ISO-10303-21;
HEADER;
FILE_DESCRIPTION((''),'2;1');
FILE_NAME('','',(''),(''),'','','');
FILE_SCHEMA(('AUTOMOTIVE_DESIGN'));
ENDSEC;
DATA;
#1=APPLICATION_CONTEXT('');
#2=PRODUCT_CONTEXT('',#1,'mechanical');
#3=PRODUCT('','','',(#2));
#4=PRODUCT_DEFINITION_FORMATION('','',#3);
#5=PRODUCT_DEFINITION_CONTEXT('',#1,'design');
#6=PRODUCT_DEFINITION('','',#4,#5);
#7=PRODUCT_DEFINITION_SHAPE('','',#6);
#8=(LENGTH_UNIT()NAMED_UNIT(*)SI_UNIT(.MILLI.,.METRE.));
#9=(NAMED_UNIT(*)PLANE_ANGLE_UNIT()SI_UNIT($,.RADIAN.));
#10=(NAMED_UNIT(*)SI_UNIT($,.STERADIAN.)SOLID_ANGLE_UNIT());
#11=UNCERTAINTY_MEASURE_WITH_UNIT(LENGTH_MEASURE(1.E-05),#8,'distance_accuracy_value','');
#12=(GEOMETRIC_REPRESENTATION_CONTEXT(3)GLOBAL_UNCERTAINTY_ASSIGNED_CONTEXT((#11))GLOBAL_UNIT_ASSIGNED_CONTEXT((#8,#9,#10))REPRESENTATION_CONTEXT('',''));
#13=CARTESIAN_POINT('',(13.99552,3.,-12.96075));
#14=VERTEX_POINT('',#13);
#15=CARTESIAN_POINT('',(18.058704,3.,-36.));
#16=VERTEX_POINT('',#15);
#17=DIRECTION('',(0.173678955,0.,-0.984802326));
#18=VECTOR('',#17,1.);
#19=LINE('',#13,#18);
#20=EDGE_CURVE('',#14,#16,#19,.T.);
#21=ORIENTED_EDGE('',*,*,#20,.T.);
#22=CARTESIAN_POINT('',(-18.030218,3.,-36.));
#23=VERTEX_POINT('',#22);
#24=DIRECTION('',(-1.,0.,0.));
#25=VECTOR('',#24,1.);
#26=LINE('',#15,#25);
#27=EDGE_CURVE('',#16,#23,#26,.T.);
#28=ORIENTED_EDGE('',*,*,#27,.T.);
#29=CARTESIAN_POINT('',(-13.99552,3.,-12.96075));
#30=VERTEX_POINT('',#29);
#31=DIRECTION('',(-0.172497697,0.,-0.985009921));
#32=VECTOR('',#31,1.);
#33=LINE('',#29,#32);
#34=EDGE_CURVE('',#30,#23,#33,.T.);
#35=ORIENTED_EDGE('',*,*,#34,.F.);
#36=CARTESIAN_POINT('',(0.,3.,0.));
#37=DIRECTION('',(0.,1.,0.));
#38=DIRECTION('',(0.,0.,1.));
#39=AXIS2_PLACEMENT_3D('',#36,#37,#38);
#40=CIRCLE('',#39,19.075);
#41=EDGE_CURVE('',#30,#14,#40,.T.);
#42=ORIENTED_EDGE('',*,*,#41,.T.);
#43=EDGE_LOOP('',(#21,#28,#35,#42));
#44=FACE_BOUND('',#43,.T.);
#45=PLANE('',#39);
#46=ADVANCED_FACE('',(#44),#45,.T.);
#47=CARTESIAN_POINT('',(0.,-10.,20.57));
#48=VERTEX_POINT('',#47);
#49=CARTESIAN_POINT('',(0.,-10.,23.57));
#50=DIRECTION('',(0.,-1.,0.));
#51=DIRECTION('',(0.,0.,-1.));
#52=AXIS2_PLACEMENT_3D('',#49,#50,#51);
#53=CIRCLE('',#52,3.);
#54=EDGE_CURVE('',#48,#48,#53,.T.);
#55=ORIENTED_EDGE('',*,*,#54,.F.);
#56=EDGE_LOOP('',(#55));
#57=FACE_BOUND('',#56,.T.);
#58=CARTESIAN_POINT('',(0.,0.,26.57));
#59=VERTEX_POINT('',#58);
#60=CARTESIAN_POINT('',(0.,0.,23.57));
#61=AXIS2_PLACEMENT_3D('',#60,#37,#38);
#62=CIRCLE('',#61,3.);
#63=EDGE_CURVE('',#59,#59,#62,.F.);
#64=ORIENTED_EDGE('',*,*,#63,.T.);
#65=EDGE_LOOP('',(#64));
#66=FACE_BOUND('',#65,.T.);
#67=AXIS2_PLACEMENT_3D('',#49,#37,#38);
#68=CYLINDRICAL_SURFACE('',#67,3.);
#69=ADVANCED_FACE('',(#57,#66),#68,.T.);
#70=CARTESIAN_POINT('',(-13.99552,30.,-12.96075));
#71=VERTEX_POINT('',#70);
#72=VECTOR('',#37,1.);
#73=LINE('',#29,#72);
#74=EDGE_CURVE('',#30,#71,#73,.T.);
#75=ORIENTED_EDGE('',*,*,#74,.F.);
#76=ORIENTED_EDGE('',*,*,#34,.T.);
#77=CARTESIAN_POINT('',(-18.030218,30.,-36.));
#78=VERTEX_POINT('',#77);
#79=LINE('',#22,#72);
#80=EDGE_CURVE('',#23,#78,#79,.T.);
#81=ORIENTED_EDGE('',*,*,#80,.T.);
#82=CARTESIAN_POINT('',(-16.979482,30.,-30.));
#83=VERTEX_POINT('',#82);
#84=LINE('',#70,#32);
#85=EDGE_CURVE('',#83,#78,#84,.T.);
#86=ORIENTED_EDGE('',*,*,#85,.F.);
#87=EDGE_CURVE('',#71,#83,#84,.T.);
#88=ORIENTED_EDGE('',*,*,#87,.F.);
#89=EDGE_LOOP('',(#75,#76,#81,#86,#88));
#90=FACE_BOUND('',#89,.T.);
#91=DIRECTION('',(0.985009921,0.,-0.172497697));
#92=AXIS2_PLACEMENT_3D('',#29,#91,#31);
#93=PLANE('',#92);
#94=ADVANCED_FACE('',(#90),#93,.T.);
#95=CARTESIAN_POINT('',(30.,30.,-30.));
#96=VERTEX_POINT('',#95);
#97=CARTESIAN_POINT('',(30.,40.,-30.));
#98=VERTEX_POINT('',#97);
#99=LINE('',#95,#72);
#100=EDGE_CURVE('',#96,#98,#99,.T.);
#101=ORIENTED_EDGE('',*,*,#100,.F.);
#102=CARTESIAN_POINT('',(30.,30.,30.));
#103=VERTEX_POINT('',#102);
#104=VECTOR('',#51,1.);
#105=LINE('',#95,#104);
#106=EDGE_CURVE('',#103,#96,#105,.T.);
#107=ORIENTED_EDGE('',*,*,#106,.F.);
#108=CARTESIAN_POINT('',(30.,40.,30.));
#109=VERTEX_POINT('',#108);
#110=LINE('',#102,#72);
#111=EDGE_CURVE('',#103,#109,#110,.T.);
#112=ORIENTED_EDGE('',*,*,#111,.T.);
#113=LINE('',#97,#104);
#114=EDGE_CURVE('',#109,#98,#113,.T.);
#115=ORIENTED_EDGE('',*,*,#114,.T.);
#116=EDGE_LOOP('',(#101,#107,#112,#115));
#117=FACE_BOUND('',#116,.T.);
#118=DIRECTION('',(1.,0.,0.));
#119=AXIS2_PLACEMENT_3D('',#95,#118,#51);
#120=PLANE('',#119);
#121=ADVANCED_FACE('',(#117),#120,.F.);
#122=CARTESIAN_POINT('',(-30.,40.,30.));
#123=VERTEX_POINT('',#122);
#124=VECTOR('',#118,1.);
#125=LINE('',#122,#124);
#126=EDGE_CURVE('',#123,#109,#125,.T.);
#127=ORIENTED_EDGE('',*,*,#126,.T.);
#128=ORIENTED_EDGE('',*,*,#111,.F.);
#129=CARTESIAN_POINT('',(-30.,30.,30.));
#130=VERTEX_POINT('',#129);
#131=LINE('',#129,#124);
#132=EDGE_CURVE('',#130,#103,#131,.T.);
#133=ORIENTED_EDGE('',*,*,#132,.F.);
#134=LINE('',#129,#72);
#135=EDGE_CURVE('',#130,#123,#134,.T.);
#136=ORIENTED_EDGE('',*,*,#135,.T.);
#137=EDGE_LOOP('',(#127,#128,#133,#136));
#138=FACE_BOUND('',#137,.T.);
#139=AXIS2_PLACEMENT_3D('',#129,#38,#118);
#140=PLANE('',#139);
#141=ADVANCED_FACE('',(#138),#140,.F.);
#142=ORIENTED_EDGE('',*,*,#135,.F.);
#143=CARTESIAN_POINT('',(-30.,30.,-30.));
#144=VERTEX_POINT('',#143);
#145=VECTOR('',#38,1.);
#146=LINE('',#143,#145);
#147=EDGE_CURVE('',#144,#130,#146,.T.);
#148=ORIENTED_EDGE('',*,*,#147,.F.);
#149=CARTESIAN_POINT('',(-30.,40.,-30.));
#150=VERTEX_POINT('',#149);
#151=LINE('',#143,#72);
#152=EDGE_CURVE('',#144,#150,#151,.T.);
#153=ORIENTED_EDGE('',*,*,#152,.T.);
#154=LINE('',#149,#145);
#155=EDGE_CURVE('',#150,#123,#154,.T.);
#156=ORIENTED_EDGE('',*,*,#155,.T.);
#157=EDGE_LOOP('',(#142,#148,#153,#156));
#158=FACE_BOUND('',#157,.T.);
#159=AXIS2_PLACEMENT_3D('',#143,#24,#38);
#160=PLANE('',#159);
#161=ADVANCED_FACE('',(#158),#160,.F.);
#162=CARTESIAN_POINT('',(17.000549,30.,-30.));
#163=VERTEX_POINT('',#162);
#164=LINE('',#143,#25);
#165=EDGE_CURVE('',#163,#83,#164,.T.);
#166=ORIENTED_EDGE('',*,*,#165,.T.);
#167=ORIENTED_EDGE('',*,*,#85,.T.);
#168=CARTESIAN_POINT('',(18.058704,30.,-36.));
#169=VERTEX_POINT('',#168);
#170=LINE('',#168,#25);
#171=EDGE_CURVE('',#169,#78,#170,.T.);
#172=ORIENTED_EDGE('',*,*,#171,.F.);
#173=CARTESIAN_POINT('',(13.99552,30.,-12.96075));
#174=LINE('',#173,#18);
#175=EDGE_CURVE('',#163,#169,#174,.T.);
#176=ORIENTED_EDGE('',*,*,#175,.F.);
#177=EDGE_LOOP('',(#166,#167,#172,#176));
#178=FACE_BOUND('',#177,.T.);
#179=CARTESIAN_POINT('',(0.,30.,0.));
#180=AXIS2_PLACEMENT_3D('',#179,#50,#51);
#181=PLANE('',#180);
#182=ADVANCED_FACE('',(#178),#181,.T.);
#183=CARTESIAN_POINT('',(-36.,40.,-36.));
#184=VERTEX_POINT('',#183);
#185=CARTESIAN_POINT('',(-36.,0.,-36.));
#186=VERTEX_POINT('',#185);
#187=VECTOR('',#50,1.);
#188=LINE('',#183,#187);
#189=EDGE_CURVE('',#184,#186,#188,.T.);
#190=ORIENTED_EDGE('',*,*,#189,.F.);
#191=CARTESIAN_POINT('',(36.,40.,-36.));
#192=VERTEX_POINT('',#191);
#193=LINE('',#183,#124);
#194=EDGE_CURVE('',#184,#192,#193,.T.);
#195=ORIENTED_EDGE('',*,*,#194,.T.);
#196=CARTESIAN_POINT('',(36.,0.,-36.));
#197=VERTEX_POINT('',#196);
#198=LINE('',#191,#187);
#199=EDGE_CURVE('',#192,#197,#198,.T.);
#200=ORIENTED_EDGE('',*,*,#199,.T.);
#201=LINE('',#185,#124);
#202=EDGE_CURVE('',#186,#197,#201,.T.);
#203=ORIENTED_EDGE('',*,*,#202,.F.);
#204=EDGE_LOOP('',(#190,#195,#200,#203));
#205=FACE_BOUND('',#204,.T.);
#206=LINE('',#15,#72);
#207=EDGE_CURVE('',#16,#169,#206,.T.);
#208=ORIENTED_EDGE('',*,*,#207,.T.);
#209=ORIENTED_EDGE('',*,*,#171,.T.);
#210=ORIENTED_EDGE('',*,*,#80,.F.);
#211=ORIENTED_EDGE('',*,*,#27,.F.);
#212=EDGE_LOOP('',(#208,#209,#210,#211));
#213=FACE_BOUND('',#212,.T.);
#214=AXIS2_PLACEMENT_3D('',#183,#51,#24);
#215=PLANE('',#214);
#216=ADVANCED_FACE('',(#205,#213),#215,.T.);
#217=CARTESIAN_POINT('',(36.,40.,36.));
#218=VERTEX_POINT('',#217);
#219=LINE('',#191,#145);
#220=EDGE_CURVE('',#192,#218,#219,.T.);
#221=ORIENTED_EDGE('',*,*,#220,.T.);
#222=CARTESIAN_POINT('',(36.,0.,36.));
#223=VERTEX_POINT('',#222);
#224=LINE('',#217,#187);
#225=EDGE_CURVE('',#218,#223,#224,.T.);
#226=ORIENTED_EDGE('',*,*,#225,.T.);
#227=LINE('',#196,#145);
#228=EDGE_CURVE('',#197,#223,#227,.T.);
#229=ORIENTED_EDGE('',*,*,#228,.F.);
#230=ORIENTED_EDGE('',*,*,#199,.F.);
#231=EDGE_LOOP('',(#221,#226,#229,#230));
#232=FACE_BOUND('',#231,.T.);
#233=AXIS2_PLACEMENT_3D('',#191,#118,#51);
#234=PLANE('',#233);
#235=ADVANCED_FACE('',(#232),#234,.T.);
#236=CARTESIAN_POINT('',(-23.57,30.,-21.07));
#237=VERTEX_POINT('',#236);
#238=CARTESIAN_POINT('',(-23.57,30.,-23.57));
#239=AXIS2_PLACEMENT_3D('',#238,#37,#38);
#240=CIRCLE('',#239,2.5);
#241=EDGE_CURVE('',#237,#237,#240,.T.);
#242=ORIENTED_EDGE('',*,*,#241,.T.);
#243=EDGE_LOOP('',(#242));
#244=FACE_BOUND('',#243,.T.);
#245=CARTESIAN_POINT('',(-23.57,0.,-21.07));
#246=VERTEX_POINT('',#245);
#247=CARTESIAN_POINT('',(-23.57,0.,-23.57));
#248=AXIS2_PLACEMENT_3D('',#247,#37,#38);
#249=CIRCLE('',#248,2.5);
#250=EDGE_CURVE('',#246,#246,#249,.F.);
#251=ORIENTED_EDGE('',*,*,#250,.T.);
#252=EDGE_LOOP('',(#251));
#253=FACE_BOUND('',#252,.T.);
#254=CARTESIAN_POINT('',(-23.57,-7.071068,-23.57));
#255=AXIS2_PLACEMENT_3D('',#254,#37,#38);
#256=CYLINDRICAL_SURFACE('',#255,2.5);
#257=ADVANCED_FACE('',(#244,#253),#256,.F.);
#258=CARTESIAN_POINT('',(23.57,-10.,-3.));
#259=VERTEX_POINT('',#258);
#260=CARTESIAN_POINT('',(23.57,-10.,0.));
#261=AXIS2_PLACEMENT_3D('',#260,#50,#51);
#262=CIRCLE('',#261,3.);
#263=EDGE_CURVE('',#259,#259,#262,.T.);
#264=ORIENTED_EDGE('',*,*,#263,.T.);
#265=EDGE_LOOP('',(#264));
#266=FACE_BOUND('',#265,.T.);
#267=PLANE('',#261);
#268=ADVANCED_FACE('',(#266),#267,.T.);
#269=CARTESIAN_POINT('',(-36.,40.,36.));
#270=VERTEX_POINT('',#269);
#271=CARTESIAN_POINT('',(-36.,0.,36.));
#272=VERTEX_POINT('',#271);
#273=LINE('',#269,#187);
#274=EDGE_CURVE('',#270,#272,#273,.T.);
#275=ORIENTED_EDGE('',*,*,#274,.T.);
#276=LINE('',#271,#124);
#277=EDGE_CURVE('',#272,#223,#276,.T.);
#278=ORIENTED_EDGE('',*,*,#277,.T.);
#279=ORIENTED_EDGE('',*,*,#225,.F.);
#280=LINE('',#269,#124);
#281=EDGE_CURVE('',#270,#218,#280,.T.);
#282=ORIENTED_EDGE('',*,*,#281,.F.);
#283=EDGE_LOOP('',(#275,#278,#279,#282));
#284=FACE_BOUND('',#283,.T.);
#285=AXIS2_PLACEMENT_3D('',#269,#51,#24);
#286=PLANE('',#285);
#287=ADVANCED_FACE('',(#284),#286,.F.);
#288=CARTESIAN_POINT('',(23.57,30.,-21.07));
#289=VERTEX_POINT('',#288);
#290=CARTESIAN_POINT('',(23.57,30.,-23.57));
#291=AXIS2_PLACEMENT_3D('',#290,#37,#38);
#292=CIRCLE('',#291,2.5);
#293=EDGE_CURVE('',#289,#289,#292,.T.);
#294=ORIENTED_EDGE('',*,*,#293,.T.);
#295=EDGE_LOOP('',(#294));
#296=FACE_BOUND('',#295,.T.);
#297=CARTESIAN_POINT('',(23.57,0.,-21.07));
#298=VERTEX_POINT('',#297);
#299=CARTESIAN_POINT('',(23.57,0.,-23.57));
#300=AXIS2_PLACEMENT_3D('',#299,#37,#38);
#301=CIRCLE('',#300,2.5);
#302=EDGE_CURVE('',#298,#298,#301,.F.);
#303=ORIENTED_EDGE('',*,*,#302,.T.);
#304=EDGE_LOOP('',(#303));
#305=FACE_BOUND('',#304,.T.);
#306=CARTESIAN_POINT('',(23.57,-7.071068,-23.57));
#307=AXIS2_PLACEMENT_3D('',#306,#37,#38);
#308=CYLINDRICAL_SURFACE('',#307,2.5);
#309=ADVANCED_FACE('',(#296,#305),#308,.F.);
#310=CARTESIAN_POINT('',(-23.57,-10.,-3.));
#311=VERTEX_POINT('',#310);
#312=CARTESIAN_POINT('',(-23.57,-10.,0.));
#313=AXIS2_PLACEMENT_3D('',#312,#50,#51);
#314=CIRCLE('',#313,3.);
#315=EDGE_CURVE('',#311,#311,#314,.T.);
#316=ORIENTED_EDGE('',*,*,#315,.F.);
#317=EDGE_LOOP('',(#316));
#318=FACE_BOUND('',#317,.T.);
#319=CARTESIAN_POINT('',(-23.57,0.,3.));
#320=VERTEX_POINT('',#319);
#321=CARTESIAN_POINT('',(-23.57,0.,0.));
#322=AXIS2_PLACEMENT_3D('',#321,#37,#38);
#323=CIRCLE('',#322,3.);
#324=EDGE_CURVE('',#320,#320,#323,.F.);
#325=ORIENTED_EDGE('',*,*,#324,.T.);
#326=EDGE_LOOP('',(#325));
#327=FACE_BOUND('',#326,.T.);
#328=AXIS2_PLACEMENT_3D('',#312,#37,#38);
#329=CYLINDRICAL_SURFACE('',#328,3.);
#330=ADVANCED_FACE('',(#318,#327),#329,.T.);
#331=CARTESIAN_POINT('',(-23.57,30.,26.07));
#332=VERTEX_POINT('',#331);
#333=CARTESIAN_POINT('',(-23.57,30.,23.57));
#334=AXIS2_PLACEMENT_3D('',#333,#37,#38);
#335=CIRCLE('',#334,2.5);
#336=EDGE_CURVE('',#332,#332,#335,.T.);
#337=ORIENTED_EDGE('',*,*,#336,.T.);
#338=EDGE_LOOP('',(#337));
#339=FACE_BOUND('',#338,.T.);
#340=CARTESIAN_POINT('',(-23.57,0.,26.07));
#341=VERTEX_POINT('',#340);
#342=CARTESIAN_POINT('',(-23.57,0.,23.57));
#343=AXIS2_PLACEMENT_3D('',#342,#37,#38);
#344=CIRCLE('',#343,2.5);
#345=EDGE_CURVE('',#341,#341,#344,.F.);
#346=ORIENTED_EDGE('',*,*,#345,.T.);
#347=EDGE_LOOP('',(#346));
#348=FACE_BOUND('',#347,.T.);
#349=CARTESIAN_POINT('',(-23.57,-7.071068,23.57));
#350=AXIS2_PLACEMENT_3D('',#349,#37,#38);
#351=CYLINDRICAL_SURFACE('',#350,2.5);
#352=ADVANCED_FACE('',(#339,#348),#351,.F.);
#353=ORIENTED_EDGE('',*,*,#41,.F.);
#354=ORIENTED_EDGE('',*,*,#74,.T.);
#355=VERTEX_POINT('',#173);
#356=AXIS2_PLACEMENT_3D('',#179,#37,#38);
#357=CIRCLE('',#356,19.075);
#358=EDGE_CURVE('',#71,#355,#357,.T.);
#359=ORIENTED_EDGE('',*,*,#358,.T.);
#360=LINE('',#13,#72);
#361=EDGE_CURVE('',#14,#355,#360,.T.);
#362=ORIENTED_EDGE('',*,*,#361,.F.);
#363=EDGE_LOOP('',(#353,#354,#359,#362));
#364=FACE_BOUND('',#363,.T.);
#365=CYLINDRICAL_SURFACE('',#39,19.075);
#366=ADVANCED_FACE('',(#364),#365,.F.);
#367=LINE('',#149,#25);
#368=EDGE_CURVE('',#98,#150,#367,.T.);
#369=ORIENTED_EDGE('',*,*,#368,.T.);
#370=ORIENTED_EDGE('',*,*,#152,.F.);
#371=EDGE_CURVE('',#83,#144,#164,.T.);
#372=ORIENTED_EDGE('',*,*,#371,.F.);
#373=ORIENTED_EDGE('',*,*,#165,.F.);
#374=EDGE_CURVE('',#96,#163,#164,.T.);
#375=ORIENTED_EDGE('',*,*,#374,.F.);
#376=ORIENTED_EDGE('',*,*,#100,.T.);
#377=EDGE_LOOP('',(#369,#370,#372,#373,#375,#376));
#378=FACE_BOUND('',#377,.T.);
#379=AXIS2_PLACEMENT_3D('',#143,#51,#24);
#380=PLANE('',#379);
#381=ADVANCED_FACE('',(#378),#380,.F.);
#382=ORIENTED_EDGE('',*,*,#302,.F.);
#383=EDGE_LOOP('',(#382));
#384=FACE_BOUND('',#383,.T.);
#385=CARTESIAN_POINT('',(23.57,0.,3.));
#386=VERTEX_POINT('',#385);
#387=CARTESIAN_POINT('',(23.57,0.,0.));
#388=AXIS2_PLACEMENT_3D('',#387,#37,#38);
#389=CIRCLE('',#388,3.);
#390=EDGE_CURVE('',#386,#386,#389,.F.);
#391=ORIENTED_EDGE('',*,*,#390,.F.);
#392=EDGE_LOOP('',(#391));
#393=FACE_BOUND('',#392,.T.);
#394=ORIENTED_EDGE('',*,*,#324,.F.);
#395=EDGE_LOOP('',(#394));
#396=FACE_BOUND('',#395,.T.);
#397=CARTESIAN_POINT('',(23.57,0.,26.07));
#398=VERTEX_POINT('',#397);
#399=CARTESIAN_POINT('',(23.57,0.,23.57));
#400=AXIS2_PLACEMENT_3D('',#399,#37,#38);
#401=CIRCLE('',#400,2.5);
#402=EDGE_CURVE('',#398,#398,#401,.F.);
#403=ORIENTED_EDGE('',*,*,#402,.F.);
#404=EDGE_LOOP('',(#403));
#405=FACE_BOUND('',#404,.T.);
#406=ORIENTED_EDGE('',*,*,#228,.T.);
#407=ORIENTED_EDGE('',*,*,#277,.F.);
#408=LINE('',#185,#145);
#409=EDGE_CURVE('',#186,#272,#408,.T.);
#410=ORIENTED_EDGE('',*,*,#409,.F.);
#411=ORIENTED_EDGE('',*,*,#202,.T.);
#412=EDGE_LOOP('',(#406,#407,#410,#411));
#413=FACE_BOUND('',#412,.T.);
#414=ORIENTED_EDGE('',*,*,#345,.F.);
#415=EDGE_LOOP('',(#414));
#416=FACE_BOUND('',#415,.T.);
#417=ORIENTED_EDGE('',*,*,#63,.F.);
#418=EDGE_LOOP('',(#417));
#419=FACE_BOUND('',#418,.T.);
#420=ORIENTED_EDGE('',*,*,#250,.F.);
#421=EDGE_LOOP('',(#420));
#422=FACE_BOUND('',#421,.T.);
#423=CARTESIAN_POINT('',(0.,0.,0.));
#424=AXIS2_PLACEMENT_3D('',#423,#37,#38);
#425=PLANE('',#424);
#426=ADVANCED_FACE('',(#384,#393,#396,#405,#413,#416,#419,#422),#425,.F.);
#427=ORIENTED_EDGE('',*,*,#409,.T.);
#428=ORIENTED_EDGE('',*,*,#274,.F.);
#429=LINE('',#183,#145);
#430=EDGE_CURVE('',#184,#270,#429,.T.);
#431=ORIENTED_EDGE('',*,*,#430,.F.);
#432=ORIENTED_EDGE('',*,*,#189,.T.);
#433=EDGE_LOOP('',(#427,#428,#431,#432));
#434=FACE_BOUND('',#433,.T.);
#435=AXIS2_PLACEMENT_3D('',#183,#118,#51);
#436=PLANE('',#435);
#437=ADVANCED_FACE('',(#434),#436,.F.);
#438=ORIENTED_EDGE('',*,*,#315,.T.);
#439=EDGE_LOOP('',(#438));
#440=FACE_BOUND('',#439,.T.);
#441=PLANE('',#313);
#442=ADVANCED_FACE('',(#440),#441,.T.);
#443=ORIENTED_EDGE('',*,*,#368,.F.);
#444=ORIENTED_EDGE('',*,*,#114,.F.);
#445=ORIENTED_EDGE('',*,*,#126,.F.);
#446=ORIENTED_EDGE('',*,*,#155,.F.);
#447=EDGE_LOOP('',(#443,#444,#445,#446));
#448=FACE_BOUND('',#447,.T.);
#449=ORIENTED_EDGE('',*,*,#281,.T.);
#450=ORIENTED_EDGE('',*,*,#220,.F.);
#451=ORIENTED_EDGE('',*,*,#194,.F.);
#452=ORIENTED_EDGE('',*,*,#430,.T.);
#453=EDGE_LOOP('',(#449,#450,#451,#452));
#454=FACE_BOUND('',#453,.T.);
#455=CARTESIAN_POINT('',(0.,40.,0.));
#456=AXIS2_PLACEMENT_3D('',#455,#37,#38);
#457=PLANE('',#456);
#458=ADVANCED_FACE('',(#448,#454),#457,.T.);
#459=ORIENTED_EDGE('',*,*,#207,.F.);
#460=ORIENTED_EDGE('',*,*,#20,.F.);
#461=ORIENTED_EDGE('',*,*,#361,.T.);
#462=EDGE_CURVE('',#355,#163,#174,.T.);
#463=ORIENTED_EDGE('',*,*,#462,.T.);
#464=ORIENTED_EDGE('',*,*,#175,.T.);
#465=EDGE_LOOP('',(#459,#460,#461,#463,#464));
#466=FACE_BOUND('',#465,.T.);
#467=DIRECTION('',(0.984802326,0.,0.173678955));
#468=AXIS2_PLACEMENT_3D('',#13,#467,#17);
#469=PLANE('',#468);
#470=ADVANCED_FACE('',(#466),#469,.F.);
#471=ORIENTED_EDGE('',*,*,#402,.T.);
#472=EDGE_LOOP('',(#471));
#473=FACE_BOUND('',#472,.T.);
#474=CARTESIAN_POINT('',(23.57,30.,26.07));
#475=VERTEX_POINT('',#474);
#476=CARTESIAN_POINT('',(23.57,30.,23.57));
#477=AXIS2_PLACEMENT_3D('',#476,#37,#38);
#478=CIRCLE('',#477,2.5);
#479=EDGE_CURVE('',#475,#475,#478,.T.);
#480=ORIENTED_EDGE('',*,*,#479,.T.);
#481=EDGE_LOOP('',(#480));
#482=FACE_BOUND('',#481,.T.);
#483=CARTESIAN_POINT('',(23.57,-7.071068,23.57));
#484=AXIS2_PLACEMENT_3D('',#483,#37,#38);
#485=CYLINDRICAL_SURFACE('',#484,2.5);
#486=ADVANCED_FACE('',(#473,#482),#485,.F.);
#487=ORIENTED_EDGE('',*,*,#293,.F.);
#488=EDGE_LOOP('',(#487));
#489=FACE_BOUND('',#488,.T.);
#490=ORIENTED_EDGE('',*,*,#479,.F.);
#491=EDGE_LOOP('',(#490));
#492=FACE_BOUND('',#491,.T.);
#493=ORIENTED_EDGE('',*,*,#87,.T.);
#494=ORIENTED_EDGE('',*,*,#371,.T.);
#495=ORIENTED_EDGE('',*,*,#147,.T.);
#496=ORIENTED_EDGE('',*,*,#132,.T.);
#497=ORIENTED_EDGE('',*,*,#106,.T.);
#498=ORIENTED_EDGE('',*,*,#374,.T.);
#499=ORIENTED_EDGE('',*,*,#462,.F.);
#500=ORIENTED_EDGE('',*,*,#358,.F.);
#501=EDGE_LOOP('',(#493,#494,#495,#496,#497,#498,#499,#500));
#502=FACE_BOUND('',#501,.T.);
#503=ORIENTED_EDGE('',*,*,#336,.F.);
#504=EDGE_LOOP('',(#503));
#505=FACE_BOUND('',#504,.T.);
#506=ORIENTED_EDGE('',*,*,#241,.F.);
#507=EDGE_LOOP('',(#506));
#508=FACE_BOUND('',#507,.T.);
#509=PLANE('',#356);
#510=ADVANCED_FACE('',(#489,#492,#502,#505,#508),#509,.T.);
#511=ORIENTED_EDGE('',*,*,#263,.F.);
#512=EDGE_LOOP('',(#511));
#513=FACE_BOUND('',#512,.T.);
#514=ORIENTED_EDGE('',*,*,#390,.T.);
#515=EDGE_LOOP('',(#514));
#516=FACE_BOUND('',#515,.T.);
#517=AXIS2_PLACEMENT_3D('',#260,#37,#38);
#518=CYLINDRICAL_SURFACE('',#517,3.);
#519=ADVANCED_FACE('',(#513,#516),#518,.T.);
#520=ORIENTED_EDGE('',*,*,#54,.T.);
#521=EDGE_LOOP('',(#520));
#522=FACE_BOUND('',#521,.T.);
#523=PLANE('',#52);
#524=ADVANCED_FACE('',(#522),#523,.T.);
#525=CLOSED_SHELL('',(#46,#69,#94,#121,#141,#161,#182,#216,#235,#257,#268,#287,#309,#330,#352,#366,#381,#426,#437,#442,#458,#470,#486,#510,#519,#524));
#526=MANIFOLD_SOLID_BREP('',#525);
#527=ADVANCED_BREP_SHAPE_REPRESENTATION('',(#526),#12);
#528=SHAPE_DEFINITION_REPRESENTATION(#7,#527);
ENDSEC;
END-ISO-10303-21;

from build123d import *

# Parameters (mm, degrees)
SKETCH1_W           = 72
SKETCH1_H           = 72
BOSS_EXTRUDE1_DEPTH = 40
SKETCH3_W           = 60
SKETCH3_H           = 60
CUT_EXTRUDE1_DEPTH  = 10
SKETCH4_R           = 2.5
CUT_EXTRUDE2_DEPTH  = 30
SKETCH5_R           = 19.075
CUT_EXTRUDE3_DEPTH  = 27
CUT_EXTRUDE5_DEPTH  = 27
SKETCH13_R          = 3
BOSS_EXTRUDE3_DEPTH = 10


with BuildPart() as part:
    # Sketch1 → Boss-Extrude1 (new body)
    with BuildSketch(Plane(origin=(0, 0, 0), x_dir=(1, 0, 0), z_dir=(0, 1, 0))):
        Rectangle(SKETCH1_W, SKETCH1_H)
    extrude(amount=BOSS_EXTRUDE1_DEPTH)

    # Sketch3 → Cut-Extrude1 (cut)
    with BuildSketch(Plane(origin=(0, 40, 0), x_dir=(1, 0, 0), z_dir=(0, 1, 0))):
        Rectangle(SKETCH3_W, SKETCH3_H)
    extrude(amount=-CUT_EXTRUDE1_DEPTH, mode=Mode.SUBTRACT)

    # Sketch4 → Cut-Extrude2 (cut)
    with BuildSketch(Plane(origin=(0, 30, 0), x_dir=(1, 0, 0), z_dir=(0, 1, 0))):
        with Locations((-23.57, 23.57)):
            Circle(SKETCH4_R)
        with Locations((23.57, 23.57)):
            Circle(SKETCH4_R)
        with Locations((23.57, -23.57)):
            Circle(SKETCH4_R)
        with Locations((-23.57, -23.57)):
            Circle(SKETCH4_R)
    extrude(amount=-CUT_EXTRUDE2_DEPTH, mode=Mode.SUBTRACT)

    # Sketch5 → Cut-Extrude3 (cut)
    with BuildSketch(Plane(origin=(0, 30, 0), x_dir=(1, 0, 0), z_dir=(0, 1, 0))):
        Circle(SKETCH5_R)
    extrude(amount=-CUT_EXTRUDE3_DEPTH, mode=Mode.SUBTRACT)

    # Sketch6 → Cut-Extrude5 (cut)
    with BuildSketch(Plane(origin=(0, 30, 0), x_dir=(1, 0, 0), z_dir=(0, 1, 0))):
        with BuildLine():
            Line((-13.99552044, 12.960749693), (-18.030218489, 36))
            Line((-18.030218489, 36), (18.058704295, 36))
            Line((18.058704295, 36), (13.99552044, 12.960749693))
            ThreePointArc((13.99552044, 12.960749693), (0, 19.075), (-13.99552044, 12.960749693))
        make_face()
    extrude(amount=-CUT_EXTRUDE5_DEPTH, mode=Mode.SUBTRACT)

    # Sketch13 → Boss-Extrude3 (add)
    with BuildSketch(Plane.XZ):
        with Locations((0, 23.57)):
            Circle(SKETCH13_R)
        with Locations((23.57, 0)):
            Circle(SKETCH13_R)
        with Locations((-23.57, 0)):
            Circle(SKETCH13_R)
    extrude(amount=BOSS_EXTRUDE3_DEPTH)


solid = part.part
